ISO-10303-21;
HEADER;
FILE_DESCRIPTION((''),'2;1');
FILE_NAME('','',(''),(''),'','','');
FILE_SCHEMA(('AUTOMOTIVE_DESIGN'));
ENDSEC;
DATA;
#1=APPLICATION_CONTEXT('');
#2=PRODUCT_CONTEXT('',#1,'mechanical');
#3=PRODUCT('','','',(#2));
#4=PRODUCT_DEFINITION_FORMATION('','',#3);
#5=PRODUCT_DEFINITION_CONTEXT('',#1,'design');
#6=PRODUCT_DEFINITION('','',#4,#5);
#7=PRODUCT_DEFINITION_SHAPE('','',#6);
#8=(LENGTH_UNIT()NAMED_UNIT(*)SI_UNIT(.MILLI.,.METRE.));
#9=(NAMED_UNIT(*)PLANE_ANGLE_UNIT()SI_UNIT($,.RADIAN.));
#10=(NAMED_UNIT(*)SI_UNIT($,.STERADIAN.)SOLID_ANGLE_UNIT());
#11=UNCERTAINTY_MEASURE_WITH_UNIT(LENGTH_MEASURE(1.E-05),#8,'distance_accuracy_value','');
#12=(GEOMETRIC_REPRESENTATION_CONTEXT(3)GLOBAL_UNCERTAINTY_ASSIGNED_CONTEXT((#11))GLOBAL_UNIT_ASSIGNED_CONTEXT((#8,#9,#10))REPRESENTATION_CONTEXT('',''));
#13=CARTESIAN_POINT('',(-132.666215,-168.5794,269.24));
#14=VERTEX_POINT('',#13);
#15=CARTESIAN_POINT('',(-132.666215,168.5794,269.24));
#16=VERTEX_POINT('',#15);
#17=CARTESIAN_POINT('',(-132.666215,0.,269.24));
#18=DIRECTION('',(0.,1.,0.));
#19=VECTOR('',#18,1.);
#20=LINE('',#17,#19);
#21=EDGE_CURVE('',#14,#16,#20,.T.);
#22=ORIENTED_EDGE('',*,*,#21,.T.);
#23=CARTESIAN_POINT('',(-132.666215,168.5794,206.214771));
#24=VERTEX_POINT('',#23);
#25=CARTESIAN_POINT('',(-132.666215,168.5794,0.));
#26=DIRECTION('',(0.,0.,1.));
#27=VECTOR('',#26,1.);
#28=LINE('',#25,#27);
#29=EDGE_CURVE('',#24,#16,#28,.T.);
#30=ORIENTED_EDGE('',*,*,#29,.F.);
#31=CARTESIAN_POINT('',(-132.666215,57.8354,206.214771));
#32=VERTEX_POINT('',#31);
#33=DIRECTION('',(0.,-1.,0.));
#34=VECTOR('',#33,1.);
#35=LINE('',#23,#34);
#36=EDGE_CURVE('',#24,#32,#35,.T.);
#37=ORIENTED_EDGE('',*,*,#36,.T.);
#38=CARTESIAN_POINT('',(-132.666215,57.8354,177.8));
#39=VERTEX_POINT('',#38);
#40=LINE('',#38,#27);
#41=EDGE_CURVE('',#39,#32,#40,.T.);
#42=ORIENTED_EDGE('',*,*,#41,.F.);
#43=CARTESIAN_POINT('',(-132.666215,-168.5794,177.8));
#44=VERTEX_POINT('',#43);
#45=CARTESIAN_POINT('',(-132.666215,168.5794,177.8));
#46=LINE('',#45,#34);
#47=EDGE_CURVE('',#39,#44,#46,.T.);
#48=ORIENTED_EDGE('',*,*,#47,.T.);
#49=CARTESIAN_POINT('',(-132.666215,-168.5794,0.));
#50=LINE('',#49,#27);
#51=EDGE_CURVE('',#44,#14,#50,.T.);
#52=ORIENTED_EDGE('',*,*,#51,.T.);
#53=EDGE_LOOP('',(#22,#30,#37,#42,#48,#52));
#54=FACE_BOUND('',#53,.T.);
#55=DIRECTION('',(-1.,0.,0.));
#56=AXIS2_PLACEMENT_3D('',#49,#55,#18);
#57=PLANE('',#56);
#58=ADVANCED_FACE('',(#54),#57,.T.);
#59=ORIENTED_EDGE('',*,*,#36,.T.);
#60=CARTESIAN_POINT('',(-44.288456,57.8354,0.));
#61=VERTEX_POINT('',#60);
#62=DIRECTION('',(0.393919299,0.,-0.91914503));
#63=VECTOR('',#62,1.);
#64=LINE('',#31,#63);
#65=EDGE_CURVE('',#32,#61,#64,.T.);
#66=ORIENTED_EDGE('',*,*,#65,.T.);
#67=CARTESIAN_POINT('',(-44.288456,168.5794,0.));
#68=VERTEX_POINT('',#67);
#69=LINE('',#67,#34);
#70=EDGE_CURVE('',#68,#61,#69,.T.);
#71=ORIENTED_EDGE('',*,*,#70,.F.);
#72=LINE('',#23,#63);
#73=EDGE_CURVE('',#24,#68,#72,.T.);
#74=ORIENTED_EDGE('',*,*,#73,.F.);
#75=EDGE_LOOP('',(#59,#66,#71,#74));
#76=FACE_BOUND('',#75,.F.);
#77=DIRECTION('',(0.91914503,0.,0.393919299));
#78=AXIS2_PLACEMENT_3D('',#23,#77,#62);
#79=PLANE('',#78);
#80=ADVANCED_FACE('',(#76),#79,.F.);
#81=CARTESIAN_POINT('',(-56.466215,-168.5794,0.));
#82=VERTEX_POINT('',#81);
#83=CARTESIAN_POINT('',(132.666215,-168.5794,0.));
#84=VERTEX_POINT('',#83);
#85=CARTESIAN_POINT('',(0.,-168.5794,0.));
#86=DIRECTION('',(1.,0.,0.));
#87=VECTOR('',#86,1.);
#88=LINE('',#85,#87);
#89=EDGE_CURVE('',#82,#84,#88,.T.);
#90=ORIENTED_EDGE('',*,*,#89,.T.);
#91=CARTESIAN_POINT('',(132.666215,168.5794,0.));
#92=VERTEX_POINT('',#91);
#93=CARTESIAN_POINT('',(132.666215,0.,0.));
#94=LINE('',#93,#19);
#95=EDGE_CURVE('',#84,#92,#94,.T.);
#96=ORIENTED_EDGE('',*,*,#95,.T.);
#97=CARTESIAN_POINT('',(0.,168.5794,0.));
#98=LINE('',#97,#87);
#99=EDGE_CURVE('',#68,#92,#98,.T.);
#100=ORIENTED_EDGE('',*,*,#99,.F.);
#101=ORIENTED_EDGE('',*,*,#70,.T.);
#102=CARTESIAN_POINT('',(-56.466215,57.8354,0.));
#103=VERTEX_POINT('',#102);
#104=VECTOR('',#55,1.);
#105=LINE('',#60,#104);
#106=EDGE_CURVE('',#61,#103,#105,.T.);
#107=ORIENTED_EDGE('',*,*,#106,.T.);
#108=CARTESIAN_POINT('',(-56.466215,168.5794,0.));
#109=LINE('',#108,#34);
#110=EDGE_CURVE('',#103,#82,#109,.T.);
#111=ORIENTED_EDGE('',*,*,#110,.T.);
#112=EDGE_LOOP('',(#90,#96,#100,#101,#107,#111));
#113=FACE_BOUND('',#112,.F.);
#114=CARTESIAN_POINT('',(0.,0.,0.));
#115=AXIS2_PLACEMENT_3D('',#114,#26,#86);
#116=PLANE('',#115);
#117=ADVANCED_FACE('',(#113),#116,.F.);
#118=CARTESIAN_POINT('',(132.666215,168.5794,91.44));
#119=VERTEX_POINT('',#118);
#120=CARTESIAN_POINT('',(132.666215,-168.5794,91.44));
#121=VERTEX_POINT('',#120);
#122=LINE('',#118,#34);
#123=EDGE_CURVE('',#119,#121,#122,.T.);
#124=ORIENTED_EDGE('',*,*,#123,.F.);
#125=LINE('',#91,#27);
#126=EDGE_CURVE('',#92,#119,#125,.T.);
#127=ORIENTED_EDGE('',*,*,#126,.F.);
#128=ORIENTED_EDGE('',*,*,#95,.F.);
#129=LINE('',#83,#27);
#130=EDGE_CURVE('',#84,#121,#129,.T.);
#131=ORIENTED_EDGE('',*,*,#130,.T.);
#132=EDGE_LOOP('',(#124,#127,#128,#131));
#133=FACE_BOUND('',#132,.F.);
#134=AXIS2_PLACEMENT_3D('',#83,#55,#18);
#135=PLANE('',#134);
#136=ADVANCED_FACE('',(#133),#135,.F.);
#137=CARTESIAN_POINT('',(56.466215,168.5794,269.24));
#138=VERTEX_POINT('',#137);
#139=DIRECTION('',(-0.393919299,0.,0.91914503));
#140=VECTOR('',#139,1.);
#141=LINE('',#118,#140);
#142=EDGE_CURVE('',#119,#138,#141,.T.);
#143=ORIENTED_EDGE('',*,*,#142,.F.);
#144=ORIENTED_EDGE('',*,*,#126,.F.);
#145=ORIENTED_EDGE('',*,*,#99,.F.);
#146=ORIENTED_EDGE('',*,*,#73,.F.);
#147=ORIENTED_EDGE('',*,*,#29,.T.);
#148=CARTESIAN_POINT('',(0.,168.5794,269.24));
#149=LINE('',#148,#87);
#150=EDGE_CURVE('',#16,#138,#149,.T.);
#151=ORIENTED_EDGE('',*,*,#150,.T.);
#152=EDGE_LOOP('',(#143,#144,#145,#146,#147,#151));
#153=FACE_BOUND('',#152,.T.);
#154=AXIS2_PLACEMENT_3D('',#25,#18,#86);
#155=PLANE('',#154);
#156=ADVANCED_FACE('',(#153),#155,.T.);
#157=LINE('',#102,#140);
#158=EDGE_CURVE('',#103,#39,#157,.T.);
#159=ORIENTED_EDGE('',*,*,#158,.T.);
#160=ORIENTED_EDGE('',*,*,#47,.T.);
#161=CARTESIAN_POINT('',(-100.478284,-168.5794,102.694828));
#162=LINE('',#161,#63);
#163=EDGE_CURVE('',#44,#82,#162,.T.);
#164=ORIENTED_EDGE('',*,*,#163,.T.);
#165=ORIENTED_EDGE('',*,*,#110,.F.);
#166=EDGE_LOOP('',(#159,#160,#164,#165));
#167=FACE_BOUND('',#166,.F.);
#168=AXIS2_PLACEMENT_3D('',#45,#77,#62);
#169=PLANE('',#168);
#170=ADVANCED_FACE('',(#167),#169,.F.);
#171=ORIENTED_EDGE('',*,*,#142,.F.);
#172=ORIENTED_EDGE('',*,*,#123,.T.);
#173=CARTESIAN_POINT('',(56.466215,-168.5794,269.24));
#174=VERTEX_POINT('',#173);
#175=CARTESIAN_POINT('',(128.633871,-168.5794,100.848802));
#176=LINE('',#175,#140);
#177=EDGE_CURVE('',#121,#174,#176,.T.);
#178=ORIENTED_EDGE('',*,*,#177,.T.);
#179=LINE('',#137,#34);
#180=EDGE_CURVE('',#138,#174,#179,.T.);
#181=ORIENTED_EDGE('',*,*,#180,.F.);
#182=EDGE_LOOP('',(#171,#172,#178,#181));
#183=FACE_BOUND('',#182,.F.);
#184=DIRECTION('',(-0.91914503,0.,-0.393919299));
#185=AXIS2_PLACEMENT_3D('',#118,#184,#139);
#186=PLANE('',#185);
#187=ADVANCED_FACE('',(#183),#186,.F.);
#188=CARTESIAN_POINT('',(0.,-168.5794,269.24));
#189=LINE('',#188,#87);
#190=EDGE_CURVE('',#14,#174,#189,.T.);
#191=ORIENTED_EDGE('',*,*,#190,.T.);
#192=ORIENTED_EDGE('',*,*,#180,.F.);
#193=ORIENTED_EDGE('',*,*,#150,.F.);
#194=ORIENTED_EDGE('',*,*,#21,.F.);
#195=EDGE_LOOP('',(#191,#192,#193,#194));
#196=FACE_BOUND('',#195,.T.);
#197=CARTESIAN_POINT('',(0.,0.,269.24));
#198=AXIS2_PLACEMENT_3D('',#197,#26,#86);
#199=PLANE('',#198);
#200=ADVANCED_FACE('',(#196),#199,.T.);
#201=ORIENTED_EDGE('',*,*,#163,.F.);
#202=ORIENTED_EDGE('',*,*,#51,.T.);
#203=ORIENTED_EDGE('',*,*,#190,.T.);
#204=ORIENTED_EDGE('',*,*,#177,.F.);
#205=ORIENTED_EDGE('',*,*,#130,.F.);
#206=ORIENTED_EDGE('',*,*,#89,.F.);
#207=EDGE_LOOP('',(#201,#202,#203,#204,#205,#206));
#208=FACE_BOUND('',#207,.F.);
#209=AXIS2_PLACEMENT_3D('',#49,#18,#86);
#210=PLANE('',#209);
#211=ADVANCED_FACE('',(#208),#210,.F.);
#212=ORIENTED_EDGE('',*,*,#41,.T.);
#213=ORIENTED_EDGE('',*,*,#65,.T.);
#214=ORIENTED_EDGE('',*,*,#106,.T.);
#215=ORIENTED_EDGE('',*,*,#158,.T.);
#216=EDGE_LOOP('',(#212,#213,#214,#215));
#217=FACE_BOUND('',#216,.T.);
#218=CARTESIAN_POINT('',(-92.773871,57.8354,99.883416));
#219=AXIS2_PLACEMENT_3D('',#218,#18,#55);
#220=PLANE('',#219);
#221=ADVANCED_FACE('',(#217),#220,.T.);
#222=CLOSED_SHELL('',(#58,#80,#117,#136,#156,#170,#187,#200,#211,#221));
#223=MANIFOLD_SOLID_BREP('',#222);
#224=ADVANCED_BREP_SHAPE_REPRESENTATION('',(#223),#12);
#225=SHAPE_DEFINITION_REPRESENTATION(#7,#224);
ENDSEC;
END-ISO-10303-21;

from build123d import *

# Parameters (mm, degrees)
F0_W     = 265.33243
F0_H     = 337.1588
F1_DEPTH = 269.24
F3_DEPTH = 346.71
F5_DEPTH = 110.744


with BuildPart() as f1:
    # F0 (on Top) → F1 (new body)
    with BuildSketch(Plane.XY):
        Rectangle(F0_W, F0_H)
    extrude(amount=F1_DEPTH)

    # F2 (on face) → F3 (cut)
    with BuildSketch(Plane(origin=(0, 168.5794, 0), x_dir=(-1, 0, 0), z_dir=(0, 1, 0))):
        Polygon((-132.666215, 91.44), (-56.466215, 269.24), (-132.666215, 269.24), align=None)
        Polygon((56.466215, 0), (132.666215, 0), (132.666215, 177.8), align=None)
    extrude(amount=-F3_DEPTH, mode=Mode.SUBTRACT)

    # F4 (on face) → F5 (cut)
    with BuildSketch(Plane(origin=(0, 168.5794, 0), x_dir=(-1, 0, 0), z_dir=(0, 1, 0))):
        Polygon((132.666215, 177.8), (132.666215, 206.214771), (44.288456, 0), (56.466215, 0), align=None)
    extrude(amount=-F5_DEPTH, mode=Mode.SUBTRACT)


solid = f1.part
